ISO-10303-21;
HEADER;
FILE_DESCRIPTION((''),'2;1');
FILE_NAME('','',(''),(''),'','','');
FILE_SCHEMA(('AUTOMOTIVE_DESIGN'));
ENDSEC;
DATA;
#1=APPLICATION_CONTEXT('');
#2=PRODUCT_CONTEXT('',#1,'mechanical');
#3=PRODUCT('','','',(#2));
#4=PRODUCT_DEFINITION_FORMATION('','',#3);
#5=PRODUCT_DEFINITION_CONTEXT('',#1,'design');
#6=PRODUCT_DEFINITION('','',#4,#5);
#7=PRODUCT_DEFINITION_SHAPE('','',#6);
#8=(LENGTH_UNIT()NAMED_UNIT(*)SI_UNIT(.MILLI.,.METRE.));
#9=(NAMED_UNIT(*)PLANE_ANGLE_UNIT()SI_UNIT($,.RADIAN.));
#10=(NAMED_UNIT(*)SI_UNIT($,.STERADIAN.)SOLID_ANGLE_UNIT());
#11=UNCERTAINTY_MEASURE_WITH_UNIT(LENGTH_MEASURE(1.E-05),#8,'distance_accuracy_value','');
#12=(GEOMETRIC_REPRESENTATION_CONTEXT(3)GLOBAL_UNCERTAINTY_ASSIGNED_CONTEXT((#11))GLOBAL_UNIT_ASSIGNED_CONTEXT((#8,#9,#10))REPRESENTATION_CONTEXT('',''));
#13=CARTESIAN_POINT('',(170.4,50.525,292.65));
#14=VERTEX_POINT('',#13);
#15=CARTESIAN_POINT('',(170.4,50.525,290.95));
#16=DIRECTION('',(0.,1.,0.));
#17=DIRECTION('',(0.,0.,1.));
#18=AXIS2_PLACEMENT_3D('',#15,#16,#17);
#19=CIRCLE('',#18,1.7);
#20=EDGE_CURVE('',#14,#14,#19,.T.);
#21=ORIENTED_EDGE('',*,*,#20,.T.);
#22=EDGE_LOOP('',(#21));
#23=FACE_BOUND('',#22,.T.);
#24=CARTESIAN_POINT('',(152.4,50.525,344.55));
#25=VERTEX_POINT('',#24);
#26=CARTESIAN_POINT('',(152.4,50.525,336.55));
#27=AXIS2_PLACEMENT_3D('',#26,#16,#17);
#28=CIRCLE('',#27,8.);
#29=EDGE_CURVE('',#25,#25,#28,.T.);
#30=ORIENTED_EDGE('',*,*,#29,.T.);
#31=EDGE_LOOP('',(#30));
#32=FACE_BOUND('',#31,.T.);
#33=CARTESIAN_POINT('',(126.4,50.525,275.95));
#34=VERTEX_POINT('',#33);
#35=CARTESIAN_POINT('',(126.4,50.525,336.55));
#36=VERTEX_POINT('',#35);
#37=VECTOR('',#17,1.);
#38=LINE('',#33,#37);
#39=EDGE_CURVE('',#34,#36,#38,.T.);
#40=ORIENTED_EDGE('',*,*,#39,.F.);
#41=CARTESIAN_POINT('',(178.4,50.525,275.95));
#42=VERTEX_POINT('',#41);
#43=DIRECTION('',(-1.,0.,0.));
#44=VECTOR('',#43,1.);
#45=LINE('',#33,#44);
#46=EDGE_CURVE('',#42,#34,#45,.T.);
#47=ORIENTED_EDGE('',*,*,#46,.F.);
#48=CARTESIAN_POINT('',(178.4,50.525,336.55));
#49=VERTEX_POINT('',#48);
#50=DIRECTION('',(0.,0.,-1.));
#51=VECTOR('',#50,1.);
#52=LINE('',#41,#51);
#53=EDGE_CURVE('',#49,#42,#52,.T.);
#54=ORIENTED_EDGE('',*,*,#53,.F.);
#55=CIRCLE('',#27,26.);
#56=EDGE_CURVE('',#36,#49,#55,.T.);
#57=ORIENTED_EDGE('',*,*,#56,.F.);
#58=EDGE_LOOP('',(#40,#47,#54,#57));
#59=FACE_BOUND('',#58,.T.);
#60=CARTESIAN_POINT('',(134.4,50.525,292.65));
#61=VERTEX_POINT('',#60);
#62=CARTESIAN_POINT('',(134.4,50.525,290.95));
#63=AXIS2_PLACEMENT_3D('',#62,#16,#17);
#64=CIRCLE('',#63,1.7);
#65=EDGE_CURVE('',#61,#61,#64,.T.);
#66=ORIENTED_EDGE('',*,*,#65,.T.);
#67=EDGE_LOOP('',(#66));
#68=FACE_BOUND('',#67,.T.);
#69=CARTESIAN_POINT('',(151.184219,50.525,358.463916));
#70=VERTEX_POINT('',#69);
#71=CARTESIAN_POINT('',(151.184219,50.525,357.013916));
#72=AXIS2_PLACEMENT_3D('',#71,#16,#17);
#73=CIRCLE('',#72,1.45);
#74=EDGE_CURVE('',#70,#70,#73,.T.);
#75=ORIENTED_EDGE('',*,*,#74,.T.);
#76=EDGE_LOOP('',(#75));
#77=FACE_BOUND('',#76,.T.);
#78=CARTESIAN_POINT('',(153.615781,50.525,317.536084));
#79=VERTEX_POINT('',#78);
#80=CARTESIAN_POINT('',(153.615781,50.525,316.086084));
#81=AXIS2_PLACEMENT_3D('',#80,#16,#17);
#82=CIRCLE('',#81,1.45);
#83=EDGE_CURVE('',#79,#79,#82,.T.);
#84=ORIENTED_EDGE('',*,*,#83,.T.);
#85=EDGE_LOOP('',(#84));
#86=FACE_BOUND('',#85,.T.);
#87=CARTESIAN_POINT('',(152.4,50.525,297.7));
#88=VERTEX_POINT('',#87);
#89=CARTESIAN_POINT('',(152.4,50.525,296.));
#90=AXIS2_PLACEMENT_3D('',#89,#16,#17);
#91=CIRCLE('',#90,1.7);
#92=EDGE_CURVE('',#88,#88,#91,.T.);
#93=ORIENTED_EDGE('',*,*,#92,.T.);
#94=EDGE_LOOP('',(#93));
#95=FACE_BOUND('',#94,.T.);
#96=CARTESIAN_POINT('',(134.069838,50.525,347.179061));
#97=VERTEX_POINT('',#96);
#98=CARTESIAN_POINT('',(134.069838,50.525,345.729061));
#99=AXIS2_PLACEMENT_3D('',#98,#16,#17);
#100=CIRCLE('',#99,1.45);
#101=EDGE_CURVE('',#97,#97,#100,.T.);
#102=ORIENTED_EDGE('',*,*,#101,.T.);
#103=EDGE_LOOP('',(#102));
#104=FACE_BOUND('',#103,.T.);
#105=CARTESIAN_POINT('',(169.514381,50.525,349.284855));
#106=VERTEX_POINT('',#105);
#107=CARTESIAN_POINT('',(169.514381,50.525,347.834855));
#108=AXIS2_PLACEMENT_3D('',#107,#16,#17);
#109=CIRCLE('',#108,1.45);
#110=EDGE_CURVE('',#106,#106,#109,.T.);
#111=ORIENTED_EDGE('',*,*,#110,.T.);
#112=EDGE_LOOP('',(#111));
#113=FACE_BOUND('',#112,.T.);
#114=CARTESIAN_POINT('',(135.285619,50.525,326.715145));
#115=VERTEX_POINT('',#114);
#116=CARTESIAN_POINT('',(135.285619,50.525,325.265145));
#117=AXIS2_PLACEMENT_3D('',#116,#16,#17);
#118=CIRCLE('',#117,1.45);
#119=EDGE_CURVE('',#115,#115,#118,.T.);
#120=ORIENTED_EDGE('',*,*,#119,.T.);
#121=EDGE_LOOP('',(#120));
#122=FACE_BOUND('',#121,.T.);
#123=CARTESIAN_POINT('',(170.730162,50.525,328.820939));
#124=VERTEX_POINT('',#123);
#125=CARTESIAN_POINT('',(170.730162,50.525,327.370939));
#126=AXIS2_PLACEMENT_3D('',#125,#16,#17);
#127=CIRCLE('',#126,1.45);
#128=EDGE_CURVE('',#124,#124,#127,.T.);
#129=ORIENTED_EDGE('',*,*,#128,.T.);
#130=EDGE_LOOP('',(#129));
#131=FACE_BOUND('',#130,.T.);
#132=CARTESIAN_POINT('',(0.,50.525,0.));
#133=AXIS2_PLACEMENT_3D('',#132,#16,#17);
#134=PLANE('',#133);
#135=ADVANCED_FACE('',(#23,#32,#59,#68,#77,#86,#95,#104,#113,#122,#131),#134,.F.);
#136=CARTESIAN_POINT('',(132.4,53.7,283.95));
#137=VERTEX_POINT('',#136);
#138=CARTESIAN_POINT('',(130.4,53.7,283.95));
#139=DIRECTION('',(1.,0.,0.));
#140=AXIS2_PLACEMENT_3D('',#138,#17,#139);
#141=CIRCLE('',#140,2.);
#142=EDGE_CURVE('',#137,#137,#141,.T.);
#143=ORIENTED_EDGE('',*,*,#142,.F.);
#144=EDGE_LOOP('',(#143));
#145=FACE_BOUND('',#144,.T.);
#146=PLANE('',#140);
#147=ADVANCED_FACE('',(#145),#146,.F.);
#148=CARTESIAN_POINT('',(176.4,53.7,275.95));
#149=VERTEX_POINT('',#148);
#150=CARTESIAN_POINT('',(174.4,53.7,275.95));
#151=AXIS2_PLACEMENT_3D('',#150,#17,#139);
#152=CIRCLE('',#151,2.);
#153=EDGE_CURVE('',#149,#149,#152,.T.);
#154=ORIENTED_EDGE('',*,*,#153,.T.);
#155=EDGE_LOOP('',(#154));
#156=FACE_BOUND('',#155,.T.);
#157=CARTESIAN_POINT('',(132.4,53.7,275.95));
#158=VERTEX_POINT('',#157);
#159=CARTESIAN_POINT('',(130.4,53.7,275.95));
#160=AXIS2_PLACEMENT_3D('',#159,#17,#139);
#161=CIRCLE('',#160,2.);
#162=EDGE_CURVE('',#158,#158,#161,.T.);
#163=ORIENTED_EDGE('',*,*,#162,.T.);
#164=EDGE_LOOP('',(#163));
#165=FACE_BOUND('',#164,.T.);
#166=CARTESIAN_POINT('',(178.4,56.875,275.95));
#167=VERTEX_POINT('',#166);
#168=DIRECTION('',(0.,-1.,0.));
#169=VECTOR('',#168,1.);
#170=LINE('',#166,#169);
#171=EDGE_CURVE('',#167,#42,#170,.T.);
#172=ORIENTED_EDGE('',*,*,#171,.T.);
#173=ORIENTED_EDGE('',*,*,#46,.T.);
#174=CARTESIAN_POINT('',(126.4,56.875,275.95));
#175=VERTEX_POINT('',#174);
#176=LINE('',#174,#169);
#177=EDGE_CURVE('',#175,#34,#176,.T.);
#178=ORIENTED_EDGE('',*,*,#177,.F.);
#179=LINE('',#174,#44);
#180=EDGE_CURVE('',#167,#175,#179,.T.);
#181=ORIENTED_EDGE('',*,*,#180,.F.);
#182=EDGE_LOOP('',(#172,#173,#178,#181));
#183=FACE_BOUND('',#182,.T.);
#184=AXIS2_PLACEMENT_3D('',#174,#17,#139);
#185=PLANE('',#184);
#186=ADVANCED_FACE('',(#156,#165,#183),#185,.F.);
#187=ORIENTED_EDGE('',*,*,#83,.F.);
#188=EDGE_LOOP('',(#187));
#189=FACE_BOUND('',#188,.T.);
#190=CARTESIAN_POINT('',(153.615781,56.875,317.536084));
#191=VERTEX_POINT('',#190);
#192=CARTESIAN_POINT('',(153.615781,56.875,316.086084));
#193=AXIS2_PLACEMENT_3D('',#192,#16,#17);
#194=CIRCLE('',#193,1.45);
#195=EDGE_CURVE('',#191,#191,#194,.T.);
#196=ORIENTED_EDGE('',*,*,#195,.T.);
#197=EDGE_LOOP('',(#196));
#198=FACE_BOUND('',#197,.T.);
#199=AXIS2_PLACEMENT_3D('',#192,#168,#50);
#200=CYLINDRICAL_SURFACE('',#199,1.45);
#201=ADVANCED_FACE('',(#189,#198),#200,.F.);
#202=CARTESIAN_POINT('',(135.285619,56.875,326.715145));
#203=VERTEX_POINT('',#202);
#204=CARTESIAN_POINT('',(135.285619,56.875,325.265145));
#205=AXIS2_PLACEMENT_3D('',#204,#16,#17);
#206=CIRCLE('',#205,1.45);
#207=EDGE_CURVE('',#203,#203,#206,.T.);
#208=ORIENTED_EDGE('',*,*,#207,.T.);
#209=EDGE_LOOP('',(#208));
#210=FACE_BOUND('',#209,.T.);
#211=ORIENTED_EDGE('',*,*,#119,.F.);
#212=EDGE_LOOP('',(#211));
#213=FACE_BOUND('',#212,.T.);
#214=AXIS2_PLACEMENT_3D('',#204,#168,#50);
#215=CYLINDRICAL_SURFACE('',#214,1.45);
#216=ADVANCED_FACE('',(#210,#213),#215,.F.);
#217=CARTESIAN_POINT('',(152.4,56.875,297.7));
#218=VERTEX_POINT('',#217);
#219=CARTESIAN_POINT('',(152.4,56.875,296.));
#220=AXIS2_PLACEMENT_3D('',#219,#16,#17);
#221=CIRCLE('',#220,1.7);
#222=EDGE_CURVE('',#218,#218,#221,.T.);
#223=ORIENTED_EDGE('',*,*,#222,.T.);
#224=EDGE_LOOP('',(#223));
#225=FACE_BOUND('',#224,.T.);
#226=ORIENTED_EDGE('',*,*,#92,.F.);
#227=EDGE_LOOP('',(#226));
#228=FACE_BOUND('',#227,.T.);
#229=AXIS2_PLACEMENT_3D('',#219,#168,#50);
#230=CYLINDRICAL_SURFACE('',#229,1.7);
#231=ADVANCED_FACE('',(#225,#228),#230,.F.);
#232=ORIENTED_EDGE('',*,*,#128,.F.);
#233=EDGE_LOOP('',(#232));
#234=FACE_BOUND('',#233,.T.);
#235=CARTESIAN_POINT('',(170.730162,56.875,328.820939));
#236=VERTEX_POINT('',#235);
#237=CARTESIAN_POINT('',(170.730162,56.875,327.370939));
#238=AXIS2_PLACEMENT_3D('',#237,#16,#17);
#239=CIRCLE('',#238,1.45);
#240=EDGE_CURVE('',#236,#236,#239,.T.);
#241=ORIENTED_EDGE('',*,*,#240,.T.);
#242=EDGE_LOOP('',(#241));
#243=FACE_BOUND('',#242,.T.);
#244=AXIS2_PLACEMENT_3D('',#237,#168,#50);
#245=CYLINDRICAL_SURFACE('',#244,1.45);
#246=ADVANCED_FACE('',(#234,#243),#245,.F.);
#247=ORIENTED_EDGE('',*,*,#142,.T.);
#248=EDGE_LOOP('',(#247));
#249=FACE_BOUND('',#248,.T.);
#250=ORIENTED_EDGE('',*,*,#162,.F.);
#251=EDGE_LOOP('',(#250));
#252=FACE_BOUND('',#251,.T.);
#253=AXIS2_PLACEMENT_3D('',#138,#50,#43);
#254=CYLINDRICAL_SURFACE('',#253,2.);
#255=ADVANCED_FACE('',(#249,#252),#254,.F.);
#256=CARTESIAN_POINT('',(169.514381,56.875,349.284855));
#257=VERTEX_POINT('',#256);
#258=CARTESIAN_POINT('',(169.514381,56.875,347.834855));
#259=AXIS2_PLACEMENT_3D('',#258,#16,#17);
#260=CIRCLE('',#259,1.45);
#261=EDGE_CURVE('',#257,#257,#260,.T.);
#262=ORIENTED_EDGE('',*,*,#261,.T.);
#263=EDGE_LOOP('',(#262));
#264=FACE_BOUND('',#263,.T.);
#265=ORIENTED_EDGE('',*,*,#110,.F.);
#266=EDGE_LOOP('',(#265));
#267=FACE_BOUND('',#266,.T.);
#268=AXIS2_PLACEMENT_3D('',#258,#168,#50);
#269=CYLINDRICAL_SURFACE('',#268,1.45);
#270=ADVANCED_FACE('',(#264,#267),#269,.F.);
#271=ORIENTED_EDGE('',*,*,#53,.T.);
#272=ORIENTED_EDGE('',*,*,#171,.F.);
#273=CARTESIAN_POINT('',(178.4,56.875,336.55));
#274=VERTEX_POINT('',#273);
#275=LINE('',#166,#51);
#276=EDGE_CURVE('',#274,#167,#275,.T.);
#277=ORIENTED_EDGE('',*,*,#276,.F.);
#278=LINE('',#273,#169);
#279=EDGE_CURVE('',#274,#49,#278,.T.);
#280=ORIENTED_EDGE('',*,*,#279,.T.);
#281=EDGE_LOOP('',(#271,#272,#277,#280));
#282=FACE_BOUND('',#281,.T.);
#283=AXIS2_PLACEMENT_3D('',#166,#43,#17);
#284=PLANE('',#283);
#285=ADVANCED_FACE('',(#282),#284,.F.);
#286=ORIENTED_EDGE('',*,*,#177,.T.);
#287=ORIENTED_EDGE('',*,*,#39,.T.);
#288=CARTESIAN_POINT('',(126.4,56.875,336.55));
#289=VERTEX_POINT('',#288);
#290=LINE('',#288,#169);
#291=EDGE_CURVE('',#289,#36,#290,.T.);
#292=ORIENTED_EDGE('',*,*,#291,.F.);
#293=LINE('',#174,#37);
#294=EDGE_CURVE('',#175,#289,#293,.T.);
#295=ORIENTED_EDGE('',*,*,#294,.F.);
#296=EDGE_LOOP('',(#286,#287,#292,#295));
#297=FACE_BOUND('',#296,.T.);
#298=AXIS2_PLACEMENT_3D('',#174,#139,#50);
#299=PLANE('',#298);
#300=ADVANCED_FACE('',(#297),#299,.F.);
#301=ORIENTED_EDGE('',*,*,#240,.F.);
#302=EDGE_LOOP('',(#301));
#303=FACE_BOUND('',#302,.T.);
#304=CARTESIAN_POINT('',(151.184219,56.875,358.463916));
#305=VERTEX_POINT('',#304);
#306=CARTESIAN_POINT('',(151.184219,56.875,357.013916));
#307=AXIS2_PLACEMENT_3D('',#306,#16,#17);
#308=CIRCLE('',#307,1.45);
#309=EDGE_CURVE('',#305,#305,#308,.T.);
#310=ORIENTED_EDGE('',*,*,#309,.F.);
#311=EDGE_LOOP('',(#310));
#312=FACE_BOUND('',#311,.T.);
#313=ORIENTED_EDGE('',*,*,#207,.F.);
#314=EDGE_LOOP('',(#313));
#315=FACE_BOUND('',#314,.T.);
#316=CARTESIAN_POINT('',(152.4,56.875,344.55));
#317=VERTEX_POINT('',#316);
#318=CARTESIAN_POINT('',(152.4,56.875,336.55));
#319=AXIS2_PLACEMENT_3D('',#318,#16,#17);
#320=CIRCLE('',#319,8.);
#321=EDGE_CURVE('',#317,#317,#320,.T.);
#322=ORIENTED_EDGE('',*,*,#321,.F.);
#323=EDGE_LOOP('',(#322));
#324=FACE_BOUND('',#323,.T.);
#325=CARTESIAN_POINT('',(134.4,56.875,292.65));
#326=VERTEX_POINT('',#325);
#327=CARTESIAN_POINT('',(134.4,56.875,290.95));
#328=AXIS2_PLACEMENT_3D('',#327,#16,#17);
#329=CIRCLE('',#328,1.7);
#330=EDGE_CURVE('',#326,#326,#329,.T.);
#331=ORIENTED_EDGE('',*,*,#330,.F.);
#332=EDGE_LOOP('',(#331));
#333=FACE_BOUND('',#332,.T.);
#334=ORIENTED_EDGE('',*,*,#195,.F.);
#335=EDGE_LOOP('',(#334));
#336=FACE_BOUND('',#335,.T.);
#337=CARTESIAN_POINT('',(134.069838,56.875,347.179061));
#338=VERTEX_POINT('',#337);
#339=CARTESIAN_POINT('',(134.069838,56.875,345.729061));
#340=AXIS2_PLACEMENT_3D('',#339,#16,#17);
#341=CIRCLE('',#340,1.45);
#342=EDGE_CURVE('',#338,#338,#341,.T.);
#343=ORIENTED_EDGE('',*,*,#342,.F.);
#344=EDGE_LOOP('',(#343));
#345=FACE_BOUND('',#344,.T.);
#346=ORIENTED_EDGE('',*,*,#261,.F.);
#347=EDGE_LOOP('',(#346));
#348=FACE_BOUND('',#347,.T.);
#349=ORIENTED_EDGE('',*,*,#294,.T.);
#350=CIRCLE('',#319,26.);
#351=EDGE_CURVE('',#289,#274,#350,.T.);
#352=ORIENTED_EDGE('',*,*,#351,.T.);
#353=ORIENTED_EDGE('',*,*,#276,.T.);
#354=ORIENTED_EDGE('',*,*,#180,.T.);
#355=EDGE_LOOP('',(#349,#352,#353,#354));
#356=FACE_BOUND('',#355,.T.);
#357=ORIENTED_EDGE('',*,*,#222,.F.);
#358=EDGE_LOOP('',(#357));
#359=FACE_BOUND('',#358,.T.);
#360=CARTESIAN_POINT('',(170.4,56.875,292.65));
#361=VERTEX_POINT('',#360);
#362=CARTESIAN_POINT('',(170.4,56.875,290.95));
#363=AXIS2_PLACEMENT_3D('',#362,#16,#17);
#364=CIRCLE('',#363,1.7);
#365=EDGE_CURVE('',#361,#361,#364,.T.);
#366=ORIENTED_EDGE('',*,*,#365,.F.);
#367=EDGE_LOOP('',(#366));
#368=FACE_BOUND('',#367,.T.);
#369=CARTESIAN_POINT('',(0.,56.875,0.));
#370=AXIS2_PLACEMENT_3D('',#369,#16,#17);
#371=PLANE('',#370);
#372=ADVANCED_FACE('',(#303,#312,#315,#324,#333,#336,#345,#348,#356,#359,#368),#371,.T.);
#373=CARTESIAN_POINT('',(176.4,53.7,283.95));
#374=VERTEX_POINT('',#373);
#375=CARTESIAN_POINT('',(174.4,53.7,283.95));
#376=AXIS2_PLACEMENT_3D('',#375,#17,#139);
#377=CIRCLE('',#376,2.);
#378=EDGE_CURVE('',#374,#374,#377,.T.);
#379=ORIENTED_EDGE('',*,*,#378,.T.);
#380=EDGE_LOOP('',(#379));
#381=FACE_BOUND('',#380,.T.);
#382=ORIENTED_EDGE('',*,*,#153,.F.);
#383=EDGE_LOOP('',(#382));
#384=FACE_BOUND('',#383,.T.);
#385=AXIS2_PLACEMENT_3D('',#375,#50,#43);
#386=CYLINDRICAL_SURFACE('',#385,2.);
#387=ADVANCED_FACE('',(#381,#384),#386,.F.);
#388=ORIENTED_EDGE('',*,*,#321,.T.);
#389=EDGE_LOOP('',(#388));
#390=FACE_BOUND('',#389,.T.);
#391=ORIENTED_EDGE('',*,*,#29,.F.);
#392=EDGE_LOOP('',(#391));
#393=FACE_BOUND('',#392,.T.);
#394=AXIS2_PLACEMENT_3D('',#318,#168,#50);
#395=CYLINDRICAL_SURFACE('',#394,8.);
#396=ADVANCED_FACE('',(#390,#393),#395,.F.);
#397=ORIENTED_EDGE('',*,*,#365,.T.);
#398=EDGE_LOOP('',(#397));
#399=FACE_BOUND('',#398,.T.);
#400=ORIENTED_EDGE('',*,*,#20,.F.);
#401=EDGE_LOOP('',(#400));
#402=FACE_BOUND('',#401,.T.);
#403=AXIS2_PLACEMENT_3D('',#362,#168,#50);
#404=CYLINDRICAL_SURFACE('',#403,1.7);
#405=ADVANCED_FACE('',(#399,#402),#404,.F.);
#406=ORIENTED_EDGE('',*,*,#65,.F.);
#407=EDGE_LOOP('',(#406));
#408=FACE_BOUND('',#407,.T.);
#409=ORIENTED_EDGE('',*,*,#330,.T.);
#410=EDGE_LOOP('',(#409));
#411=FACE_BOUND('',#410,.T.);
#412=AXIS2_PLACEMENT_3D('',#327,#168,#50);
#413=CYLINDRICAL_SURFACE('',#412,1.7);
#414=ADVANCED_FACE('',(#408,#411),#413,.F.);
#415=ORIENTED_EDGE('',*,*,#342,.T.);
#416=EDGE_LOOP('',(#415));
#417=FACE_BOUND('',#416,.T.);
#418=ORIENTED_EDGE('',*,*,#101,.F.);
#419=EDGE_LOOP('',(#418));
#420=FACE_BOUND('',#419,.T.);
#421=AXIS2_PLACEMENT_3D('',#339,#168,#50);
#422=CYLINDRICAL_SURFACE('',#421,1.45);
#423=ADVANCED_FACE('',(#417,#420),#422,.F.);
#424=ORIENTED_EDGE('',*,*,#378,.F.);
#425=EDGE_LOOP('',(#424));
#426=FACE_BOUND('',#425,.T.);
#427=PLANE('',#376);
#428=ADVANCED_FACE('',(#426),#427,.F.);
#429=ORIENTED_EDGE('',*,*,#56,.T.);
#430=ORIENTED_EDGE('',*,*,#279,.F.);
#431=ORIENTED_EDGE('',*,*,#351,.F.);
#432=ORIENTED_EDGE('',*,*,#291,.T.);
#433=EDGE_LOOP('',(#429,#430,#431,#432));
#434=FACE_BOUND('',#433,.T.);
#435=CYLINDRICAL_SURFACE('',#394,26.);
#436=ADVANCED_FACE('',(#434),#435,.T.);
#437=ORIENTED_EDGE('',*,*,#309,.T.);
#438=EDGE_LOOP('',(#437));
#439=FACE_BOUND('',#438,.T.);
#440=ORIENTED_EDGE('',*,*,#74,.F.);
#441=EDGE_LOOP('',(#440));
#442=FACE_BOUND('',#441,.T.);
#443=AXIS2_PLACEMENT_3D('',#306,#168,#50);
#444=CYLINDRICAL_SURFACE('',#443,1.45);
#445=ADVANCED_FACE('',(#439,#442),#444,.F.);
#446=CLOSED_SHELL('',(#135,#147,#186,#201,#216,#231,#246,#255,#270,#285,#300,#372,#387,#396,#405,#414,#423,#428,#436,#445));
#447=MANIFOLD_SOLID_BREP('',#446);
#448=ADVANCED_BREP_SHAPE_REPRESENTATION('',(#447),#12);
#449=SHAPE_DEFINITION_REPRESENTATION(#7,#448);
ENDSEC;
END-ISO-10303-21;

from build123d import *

# Parameters (mm, degrees)
PARED_A_MOTOR_J5_START           = 50.525
CROQUIS1_W                       = 52
CROQUIS1_H                       = 60.6
PARED_A_MOTOR_J5_DEPTH           = 6.35
PARED_A_MOTOR_J5_REDONDEO_START  = 50.525
CROQUIS2_R                       = 26
PARED_A_MOTOR_J5_REDONDEO_DEPTH  = 6.35
BARRENOS_M5_START                = 50.525
CROQUIS3_R                       = 1.45
CROQUIS3_R_2                     = 8
BARRENOS_M5_DEPTH                = 6.35
ROSCA_M3_ESCUADRAS_START         = 50.525
CROQUIS4_R                       = 1.25
ROSCA_M3_ESCUADRAS_DEPTH         = 6.35
PASADORES_D4_START               = 275.95
CROQUIS5_R                       = 2
PASADORES_D4_DEPTH               = 8
ROSCA_M3_BASES_CINCHO_START      = 50.525
CROQUIS6_R                       = 1.25
ROSCA_M3_BASES_CINCHO_DEPTH      = 6.35
PASO_M3_ESCUADRAS_TUERCA_START   = 50.525
CROQUIS7_R                       = 1.7
PASO_M3_ESCUADRAS_TUERCA_DEPTH   = 6.35
PASO_M3_BASE_CINCHO_TUERCA_START = 50.525
CROQUIS8_R                       = 1.7
PASO_M3_BASE_CINCHO_TUERCA_DEPTH = 6.35


with BuildPart() as part:
    # Croquis1 → Pared_A_motor_J5 (new body)
    with BuildSketch(Plane(origin=(0, 0, 0), x_dir=(1, 0, 0), z_dir=(0, 1, 0)).offset(PARED_A_MOTOR_J5_START)):
        with Locations((152.4, -306.25)):
            Rectangle(CROQUIS1_W, CROQUIS1_H)
    extrude(amount=PARED_A_MOTOR_J5_DEPTH)

    # Croquis2 → Pared_A_motor_J5_redondeo (add)
    with BuildSketch(Plane(origin=(0, 0, 0), x_dir=(1, 0, 0), z_dir=(0, 1, 0)).offset(PARED_A_MOTOR_J5_REDONDEO_START)):
        with Locations((152.4, -336.55)):
            Circle(CROQUIS2_R)
    extrude(amount=PARED_A_MOTOR_J5_REDONDEO_DEPTH)

    # Croquis3 → Barrenos_M5 (cut)
    with BuildSketch(Plane(origin=(0, 0, 0), x_dir=(1, 0, 0), z_dir=(0, 1, 0)).offset(BARRENOS_M5_START)):
        with Locations(Location((169.514381197, -347.834855172, 0), (0, 0, 270))):
            Circle(CROQUIS3_R)
        with Locations(Location((151.184219342, -357.013916472, 0), (0, 0, 270))):
            Circle(CROQUIS3_R)
        with Locations(Location((134.069838145, -345.729061301, 0), (0, 0, 270))):
            Circle(CROQUIS3_R)
        with Locations(Location((135.285618803, -325.265144828, 0), (0, 0, 270))):
            Circle(CROQUIS3_R)
        with Locations(Location((153.615780658, -316.086083528, 0), (0, 0, 270))):
            Circle(CROQUIS3_R)
        with Locations(Location((170.730161855, -327.370938699, 0), (0, 0, 270))):
            Circle(CROQUIS3_R)
        with Locations(Location((152.4, -336.55, 0), (0, 0, 270))):
            Circle(CROQUIS3_R_2)
    extrude(amount=BARRENOS_M5_DEPTH, mode=Mode.SUBTRACT)

    # Croquis4 → Rosca_M3_escuadras (cut)
    with BuildSketch(Plane(origin=(0, 0, 0), x_dir=(1, 0, 0), z_dir=(0, 1, 0)).offset(ROSCA_M3_ESCUADRAS_START)):
        with Locations(Location((134.4, -290.95, 0), (0, 0, 270))):
            Circle(CROQUIS4_R)
        with Locations(Location((170.4, -290.95, 0), (0, 0, 270))):
            Circle(CROQUIS4_R)
    extrude(amount=ROSCA_M3_ESCUADRAS_DEPTH, mode=Mode.SUBTRACT)

    # Croquis5 → Pasadores_D4 (cut)
    with BuildSketch(Plane.XY.offset(PASADORES_D4_START)):
        with Locations((130.4, 53.7)):
            Circle(CROQUIS5_R)
        with Locations((174.4, 53.7)):
            Circle(CROQUIS5_R)
    extrude(amount=PASADORES_D4_DEPTH, mode=Mode.SUBTRACT)

    # Croquis6 → Rosca_M3_bases_cincho (cut)
    with BuildSketch(Plane(origin=(0, 0, 0), x_dir=(1, 0, 0), z_dir=(0, 1, 0)).offset(ROSCA_M3_BASES_CINCHO_START)):
        with Locations(Location((152.4, -296, 0), (0, 0, 270))):
            Circle(CROQUIS6_R)
    extrude(amount=ROSCA_M3_BASES_CINCHO_DEPTH, mode=Mode.SUBTRACT)

    # Croquis7 → Paso_M3_escuadras_tuerca (cut)
    with BuildSketch(Plane(origin=(0, 0, 0), x_dir=(1, 0, 0), z_dir=(0, 1, 0)).offset(PASO_M3_ESCUADRAS_TUERCA_START)):
        with Locations(Location((134.4, -290.95, 0), (0, 0, 270))):
            Circle(CROQUIS7_R)
        with Locations(Location((170.4, -290.95, 0), (0, 0, 270))):
            Circle(CROQUIS7_R)
    extrude(amount=PASO_M3_ESCUADRAS_TUERCA_DEPTH, mode=Mode.SUBTRACT)

    # Croquis8 → Paso_M3_base_cincho_tuerca (cut)
    with BuildSketch(Plane(origin=(0, 0, 0), x_dir=(1, 0, 0), z_dir=(0, 1, 0)).offset(PASO_M3_BASE_CINCHO_TUERCA_START)):
        with Locations(Location((152.4, -296, 0), (0, 0, 270))):
            Circle(CROQUIS8_R)
    extrude(amount=PASO_M3_BASE_CINCHO_TUERCA_DEPTH, mode=Mode.SUBTRACT)


solid = part.part
